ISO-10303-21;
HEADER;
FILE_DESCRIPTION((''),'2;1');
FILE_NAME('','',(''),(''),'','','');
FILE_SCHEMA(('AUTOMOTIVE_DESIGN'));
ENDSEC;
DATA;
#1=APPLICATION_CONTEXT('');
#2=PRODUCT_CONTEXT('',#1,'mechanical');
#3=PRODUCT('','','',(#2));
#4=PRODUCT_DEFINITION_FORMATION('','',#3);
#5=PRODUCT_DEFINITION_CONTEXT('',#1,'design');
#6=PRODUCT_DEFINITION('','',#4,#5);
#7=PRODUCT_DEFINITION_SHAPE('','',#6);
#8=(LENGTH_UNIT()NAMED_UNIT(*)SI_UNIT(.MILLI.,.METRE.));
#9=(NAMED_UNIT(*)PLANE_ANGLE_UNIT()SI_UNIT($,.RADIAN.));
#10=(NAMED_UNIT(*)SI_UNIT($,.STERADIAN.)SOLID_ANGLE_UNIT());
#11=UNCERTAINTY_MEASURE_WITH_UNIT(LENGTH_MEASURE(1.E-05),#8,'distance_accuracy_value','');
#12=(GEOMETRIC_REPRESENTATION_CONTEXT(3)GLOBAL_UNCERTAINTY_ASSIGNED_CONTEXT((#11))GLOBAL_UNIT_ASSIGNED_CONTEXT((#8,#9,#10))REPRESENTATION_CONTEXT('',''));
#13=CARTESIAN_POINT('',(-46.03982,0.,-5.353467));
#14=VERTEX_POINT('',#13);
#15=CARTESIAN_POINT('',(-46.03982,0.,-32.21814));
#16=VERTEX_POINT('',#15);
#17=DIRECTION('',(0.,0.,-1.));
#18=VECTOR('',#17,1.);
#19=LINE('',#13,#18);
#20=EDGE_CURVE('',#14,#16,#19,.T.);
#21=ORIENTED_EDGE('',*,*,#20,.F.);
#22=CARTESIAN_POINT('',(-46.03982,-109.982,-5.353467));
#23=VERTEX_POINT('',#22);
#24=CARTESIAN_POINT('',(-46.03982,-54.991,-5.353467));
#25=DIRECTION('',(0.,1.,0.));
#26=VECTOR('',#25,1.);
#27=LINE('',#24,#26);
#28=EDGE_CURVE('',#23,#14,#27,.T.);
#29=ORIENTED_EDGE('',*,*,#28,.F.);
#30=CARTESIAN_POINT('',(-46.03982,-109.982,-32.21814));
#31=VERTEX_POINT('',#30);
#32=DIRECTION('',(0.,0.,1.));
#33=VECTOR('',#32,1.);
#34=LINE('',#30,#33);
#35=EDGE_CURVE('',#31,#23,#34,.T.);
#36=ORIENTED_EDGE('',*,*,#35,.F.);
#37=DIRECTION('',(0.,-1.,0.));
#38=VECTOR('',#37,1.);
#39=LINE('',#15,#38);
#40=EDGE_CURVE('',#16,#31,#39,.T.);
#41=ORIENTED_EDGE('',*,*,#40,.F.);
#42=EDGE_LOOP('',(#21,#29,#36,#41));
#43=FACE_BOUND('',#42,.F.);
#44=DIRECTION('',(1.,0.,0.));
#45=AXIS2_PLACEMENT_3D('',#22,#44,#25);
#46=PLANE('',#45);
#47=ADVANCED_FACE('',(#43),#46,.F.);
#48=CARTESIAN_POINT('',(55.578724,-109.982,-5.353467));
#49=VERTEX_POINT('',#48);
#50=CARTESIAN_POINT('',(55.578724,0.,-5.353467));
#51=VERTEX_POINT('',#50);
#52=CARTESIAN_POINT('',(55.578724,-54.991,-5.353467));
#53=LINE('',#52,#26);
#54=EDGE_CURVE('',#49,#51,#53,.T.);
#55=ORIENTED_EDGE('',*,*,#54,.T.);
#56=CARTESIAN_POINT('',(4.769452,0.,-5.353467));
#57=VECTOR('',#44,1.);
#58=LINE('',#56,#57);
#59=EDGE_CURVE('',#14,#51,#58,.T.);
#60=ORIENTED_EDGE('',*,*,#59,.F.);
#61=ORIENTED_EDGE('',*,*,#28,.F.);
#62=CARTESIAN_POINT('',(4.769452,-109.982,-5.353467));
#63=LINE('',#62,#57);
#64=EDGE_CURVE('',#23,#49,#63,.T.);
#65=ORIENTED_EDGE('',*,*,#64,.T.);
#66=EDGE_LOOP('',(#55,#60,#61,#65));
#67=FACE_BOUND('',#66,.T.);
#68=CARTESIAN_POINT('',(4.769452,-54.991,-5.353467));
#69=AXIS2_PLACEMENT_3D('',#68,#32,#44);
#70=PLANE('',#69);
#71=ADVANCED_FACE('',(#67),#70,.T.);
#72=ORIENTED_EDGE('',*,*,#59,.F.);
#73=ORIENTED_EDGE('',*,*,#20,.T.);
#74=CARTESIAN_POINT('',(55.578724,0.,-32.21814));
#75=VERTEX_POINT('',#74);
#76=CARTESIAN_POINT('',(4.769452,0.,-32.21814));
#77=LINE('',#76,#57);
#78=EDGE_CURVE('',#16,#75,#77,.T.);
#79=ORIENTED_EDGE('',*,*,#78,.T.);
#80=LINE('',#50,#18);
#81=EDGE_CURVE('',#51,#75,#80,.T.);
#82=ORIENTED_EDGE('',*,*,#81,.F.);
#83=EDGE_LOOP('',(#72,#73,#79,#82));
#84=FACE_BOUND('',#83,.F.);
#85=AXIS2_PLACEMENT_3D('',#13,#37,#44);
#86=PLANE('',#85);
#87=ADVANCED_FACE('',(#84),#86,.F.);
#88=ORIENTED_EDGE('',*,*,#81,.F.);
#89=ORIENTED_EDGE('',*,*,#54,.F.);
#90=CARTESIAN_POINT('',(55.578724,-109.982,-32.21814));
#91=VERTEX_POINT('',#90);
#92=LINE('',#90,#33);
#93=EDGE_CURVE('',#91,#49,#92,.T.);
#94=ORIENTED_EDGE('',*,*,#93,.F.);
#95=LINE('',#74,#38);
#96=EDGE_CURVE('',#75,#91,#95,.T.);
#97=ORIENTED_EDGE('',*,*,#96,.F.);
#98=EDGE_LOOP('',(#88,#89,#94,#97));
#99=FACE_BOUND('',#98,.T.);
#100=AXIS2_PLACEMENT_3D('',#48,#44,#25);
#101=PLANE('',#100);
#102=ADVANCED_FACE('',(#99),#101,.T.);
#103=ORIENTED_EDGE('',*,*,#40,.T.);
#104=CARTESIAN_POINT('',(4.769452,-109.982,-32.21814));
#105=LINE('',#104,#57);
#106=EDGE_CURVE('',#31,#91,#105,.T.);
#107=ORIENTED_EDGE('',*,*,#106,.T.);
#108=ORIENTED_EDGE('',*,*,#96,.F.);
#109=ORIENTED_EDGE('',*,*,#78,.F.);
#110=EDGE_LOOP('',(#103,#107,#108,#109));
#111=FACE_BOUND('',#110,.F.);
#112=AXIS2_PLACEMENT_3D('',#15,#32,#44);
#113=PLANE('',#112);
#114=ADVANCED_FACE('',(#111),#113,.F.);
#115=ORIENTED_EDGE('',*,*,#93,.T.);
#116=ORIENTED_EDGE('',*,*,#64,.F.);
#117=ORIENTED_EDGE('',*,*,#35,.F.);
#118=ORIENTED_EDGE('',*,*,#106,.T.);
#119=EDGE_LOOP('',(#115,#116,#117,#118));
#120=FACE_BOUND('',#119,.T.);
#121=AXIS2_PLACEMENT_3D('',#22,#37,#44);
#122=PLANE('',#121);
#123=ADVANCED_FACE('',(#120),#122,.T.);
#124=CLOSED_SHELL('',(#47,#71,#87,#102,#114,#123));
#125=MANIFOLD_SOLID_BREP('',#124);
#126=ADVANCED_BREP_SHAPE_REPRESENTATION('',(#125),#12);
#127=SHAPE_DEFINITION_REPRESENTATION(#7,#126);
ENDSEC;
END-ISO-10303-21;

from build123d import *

# Parameters (mm, degrees)
F0_W      = 101.618544
F0_H      = 26.864673
F1_DEPTH  = 109.982
F1_FACE_W = 101.618544
F1_FACE_H = 109.982
F2_DEPTH  = 11.684


with BuildPart() as f1:
    # F0 (on Front) → F1 (new body)
    with BuildSketch(Plane.XZ):
        with Locations((4.769452, -18.785804)):
            Rectangle(F0_W, F0_H)
    extrude(amount=F1_DEPTH)

    # F1_face (on face) → F2 (join)
    with BuildSketch(Plane(origin=(4.769452, -54.991, -5.353467), x_dir=(1, 0, 0), z_dir=(0, 0, 1))):
        Rectangle(F1_FACE_W, F1_FACE_H)
    extrude(amount=-F2_DEPTH)


solid = f1.part
